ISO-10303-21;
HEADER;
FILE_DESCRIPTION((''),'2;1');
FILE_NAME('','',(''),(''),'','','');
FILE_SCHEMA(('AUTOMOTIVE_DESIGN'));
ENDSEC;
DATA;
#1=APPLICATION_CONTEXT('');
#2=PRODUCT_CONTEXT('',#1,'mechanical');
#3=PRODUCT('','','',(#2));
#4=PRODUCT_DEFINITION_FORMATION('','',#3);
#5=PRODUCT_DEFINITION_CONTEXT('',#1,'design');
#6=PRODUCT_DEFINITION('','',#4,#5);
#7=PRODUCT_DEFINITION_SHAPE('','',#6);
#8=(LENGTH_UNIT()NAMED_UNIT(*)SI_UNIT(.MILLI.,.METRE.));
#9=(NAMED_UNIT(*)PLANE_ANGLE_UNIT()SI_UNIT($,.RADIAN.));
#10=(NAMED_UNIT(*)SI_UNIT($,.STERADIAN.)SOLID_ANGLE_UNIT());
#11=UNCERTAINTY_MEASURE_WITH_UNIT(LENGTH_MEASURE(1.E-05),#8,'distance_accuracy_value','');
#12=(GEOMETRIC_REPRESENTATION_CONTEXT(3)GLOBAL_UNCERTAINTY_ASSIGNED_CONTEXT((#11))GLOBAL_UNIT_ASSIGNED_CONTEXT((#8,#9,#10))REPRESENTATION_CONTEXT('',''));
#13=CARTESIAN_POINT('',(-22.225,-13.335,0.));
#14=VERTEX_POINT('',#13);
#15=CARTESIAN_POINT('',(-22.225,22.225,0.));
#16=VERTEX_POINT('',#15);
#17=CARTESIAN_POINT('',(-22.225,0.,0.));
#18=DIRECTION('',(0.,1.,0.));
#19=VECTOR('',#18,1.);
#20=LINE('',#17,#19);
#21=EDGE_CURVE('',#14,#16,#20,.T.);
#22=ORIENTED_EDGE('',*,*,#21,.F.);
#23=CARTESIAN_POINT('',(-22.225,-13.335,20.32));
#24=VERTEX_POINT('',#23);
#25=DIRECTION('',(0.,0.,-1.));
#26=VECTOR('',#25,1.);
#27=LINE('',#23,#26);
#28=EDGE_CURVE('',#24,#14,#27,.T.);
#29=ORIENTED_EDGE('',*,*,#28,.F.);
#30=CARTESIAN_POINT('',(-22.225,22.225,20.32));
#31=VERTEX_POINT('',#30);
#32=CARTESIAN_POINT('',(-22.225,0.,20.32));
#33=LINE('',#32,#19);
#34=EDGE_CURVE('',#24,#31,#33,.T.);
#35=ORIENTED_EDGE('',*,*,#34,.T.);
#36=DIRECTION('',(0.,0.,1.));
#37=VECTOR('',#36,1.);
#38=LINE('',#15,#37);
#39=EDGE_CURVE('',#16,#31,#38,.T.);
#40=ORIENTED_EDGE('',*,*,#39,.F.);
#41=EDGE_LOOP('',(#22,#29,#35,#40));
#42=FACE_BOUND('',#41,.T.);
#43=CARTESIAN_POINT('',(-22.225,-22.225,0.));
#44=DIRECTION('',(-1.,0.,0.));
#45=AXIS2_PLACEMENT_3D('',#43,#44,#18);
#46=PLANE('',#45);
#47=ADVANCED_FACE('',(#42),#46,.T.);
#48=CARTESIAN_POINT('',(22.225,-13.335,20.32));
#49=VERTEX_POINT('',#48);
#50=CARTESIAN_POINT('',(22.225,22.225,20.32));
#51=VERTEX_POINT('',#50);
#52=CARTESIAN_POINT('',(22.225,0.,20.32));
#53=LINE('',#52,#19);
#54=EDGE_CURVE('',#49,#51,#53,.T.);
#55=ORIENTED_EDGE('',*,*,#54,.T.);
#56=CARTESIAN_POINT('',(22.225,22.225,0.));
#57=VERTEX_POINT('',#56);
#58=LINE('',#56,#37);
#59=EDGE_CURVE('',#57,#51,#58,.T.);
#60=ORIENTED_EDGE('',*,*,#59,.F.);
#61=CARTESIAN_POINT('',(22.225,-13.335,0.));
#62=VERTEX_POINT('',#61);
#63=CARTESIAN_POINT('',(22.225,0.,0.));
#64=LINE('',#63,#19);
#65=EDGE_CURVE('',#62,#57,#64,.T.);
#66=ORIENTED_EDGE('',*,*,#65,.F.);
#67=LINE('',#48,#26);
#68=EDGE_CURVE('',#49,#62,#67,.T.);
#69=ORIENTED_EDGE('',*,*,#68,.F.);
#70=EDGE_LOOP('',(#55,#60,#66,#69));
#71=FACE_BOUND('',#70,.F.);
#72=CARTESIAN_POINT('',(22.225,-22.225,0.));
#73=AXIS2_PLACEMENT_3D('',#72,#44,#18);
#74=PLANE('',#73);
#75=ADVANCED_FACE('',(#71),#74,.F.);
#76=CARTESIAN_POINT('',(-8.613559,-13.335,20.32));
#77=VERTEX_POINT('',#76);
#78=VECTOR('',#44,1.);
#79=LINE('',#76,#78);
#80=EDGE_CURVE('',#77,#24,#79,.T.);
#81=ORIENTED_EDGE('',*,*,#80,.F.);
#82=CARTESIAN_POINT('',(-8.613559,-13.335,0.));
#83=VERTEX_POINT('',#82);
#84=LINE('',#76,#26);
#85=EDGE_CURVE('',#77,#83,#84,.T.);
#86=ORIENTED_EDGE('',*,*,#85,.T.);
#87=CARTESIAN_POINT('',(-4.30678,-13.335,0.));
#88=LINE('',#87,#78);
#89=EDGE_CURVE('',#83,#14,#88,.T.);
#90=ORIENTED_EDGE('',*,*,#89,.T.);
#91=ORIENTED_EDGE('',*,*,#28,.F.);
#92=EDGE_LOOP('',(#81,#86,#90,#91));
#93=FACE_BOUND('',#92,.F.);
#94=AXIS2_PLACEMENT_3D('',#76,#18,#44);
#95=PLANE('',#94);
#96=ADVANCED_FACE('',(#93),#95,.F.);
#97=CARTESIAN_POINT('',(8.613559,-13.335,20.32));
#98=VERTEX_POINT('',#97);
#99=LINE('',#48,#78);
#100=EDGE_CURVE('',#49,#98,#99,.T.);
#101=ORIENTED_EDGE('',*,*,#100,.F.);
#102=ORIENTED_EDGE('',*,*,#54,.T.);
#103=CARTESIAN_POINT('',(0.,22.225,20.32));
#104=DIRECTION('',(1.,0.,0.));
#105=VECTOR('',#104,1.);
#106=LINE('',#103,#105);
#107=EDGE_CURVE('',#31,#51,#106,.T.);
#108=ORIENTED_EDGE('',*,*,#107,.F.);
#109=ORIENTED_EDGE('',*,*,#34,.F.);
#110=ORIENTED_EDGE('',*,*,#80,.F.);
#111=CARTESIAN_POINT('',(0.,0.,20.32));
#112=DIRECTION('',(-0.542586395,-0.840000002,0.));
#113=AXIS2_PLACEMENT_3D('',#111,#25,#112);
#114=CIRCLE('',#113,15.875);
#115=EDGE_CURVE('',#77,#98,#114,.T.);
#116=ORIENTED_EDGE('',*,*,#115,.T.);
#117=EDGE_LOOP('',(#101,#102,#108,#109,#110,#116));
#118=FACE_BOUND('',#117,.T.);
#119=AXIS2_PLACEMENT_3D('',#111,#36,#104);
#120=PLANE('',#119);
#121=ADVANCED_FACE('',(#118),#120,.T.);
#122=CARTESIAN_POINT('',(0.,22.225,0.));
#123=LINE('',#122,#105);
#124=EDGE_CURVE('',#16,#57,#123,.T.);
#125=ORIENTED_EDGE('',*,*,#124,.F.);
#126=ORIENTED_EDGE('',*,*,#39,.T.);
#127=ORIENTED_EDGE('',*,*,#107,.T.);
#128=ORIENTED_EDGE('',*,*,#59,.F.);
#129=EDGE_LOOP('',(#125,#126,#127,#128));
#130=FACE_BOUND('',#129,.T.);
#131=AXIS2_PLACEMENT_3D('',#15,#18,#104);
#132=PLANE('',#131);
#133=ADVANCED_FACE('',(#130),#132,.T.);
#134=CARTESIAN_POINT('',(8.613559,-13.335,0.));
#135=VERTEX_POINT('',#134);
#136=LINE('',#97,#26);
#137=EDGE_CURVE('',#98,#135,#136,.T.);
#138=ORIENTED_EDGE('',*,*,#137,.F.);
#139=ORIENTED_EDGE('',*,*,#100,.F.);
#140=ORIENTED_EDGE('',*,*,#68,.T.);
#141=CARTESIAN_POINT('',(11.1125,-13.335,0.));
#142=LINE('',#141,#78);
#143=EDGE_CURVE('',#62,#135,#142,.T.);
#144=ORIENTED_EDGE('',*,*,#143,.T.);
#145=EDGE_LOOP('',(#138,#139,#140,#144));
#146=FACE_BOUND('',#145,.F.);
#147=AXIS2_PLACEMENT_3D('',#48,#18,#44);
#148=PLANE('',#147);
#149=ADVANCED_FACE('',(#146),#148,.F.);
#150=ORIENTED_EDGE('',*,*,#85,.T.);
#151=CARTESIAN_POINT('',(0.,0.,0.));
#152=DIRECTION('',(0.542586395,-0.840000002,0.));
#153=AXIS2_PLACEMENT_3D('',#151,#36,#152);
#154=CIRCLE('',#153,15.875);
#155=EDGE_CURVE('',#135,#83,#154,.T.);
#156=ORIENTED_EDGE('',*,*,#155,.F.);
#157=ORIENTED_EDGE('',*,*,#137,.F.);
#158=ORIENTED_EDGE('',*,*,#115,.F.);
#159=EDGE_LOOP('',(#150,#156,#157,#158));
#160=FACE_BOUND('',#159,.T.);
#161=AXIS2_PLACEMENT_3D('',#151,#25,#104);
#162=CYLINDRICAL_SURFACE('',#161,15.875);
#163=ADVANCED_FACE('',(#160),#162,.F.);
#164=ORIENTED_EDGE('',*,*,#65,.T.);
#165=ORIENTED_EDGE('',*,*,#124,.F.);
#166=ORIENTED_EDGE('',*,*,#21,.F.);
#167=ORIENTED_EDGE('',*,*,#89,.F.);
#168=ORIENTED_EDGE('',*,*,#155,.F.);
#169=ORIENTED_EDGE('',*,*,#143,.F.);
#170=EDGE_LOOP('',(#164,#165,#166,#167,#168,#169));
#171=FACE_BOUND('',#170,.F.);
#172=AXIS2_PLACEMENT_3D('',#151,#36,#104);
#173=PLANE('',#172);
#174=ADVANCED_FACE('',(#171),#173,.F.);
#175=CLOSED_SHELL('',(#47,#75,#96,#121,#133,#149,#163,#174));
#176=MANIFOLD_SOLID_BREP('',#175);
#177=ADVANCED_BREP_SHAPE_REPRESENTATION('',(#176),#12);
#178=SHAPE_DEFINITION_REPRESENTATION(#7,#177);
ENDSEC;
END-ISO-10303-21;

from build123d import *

# Parameters (mm, degrees)
F0_W     = 44.45
F0_H     = 44.45
F0_R     = 15.875
F1_DEPTH = 20.32
F3_DEPTH = 20.321


with BuildPart() as f1:
    # F0 (on Top) → F1 (new body)
    with BuildSketch(Plane.XY):
        Rectangle(F0_W, F0_H)
        Circle(F0_R, mode=Mode.SUBTRACT)
    extrude(amount=F1_DEPTH)

    # F2 (on face) → F3 (cut, through all)
    with BuildSketch(Plane.XY.offset(20.32)):
        with BuildLine():
            Line((-22.225, -13.335), (-22.225, -22.225))
            Line((-22.225, -22.225), (22.225, -22.225))
            Line((22.225, -22.225), (22.225, -13.335))
            Line((22.225, -13.335), (8.613559, -13.335))
            ThreePointArc((8.613559, -13.335), (0, -15.875), (-8.613559, -13.335))
            Line((-8.613559, -13.335), (-22.225, -13.335))
        make_face()
    extrude(amount=-F3_DEPTH, mode=Mode.SUBTRACT)


solid = f1.part
